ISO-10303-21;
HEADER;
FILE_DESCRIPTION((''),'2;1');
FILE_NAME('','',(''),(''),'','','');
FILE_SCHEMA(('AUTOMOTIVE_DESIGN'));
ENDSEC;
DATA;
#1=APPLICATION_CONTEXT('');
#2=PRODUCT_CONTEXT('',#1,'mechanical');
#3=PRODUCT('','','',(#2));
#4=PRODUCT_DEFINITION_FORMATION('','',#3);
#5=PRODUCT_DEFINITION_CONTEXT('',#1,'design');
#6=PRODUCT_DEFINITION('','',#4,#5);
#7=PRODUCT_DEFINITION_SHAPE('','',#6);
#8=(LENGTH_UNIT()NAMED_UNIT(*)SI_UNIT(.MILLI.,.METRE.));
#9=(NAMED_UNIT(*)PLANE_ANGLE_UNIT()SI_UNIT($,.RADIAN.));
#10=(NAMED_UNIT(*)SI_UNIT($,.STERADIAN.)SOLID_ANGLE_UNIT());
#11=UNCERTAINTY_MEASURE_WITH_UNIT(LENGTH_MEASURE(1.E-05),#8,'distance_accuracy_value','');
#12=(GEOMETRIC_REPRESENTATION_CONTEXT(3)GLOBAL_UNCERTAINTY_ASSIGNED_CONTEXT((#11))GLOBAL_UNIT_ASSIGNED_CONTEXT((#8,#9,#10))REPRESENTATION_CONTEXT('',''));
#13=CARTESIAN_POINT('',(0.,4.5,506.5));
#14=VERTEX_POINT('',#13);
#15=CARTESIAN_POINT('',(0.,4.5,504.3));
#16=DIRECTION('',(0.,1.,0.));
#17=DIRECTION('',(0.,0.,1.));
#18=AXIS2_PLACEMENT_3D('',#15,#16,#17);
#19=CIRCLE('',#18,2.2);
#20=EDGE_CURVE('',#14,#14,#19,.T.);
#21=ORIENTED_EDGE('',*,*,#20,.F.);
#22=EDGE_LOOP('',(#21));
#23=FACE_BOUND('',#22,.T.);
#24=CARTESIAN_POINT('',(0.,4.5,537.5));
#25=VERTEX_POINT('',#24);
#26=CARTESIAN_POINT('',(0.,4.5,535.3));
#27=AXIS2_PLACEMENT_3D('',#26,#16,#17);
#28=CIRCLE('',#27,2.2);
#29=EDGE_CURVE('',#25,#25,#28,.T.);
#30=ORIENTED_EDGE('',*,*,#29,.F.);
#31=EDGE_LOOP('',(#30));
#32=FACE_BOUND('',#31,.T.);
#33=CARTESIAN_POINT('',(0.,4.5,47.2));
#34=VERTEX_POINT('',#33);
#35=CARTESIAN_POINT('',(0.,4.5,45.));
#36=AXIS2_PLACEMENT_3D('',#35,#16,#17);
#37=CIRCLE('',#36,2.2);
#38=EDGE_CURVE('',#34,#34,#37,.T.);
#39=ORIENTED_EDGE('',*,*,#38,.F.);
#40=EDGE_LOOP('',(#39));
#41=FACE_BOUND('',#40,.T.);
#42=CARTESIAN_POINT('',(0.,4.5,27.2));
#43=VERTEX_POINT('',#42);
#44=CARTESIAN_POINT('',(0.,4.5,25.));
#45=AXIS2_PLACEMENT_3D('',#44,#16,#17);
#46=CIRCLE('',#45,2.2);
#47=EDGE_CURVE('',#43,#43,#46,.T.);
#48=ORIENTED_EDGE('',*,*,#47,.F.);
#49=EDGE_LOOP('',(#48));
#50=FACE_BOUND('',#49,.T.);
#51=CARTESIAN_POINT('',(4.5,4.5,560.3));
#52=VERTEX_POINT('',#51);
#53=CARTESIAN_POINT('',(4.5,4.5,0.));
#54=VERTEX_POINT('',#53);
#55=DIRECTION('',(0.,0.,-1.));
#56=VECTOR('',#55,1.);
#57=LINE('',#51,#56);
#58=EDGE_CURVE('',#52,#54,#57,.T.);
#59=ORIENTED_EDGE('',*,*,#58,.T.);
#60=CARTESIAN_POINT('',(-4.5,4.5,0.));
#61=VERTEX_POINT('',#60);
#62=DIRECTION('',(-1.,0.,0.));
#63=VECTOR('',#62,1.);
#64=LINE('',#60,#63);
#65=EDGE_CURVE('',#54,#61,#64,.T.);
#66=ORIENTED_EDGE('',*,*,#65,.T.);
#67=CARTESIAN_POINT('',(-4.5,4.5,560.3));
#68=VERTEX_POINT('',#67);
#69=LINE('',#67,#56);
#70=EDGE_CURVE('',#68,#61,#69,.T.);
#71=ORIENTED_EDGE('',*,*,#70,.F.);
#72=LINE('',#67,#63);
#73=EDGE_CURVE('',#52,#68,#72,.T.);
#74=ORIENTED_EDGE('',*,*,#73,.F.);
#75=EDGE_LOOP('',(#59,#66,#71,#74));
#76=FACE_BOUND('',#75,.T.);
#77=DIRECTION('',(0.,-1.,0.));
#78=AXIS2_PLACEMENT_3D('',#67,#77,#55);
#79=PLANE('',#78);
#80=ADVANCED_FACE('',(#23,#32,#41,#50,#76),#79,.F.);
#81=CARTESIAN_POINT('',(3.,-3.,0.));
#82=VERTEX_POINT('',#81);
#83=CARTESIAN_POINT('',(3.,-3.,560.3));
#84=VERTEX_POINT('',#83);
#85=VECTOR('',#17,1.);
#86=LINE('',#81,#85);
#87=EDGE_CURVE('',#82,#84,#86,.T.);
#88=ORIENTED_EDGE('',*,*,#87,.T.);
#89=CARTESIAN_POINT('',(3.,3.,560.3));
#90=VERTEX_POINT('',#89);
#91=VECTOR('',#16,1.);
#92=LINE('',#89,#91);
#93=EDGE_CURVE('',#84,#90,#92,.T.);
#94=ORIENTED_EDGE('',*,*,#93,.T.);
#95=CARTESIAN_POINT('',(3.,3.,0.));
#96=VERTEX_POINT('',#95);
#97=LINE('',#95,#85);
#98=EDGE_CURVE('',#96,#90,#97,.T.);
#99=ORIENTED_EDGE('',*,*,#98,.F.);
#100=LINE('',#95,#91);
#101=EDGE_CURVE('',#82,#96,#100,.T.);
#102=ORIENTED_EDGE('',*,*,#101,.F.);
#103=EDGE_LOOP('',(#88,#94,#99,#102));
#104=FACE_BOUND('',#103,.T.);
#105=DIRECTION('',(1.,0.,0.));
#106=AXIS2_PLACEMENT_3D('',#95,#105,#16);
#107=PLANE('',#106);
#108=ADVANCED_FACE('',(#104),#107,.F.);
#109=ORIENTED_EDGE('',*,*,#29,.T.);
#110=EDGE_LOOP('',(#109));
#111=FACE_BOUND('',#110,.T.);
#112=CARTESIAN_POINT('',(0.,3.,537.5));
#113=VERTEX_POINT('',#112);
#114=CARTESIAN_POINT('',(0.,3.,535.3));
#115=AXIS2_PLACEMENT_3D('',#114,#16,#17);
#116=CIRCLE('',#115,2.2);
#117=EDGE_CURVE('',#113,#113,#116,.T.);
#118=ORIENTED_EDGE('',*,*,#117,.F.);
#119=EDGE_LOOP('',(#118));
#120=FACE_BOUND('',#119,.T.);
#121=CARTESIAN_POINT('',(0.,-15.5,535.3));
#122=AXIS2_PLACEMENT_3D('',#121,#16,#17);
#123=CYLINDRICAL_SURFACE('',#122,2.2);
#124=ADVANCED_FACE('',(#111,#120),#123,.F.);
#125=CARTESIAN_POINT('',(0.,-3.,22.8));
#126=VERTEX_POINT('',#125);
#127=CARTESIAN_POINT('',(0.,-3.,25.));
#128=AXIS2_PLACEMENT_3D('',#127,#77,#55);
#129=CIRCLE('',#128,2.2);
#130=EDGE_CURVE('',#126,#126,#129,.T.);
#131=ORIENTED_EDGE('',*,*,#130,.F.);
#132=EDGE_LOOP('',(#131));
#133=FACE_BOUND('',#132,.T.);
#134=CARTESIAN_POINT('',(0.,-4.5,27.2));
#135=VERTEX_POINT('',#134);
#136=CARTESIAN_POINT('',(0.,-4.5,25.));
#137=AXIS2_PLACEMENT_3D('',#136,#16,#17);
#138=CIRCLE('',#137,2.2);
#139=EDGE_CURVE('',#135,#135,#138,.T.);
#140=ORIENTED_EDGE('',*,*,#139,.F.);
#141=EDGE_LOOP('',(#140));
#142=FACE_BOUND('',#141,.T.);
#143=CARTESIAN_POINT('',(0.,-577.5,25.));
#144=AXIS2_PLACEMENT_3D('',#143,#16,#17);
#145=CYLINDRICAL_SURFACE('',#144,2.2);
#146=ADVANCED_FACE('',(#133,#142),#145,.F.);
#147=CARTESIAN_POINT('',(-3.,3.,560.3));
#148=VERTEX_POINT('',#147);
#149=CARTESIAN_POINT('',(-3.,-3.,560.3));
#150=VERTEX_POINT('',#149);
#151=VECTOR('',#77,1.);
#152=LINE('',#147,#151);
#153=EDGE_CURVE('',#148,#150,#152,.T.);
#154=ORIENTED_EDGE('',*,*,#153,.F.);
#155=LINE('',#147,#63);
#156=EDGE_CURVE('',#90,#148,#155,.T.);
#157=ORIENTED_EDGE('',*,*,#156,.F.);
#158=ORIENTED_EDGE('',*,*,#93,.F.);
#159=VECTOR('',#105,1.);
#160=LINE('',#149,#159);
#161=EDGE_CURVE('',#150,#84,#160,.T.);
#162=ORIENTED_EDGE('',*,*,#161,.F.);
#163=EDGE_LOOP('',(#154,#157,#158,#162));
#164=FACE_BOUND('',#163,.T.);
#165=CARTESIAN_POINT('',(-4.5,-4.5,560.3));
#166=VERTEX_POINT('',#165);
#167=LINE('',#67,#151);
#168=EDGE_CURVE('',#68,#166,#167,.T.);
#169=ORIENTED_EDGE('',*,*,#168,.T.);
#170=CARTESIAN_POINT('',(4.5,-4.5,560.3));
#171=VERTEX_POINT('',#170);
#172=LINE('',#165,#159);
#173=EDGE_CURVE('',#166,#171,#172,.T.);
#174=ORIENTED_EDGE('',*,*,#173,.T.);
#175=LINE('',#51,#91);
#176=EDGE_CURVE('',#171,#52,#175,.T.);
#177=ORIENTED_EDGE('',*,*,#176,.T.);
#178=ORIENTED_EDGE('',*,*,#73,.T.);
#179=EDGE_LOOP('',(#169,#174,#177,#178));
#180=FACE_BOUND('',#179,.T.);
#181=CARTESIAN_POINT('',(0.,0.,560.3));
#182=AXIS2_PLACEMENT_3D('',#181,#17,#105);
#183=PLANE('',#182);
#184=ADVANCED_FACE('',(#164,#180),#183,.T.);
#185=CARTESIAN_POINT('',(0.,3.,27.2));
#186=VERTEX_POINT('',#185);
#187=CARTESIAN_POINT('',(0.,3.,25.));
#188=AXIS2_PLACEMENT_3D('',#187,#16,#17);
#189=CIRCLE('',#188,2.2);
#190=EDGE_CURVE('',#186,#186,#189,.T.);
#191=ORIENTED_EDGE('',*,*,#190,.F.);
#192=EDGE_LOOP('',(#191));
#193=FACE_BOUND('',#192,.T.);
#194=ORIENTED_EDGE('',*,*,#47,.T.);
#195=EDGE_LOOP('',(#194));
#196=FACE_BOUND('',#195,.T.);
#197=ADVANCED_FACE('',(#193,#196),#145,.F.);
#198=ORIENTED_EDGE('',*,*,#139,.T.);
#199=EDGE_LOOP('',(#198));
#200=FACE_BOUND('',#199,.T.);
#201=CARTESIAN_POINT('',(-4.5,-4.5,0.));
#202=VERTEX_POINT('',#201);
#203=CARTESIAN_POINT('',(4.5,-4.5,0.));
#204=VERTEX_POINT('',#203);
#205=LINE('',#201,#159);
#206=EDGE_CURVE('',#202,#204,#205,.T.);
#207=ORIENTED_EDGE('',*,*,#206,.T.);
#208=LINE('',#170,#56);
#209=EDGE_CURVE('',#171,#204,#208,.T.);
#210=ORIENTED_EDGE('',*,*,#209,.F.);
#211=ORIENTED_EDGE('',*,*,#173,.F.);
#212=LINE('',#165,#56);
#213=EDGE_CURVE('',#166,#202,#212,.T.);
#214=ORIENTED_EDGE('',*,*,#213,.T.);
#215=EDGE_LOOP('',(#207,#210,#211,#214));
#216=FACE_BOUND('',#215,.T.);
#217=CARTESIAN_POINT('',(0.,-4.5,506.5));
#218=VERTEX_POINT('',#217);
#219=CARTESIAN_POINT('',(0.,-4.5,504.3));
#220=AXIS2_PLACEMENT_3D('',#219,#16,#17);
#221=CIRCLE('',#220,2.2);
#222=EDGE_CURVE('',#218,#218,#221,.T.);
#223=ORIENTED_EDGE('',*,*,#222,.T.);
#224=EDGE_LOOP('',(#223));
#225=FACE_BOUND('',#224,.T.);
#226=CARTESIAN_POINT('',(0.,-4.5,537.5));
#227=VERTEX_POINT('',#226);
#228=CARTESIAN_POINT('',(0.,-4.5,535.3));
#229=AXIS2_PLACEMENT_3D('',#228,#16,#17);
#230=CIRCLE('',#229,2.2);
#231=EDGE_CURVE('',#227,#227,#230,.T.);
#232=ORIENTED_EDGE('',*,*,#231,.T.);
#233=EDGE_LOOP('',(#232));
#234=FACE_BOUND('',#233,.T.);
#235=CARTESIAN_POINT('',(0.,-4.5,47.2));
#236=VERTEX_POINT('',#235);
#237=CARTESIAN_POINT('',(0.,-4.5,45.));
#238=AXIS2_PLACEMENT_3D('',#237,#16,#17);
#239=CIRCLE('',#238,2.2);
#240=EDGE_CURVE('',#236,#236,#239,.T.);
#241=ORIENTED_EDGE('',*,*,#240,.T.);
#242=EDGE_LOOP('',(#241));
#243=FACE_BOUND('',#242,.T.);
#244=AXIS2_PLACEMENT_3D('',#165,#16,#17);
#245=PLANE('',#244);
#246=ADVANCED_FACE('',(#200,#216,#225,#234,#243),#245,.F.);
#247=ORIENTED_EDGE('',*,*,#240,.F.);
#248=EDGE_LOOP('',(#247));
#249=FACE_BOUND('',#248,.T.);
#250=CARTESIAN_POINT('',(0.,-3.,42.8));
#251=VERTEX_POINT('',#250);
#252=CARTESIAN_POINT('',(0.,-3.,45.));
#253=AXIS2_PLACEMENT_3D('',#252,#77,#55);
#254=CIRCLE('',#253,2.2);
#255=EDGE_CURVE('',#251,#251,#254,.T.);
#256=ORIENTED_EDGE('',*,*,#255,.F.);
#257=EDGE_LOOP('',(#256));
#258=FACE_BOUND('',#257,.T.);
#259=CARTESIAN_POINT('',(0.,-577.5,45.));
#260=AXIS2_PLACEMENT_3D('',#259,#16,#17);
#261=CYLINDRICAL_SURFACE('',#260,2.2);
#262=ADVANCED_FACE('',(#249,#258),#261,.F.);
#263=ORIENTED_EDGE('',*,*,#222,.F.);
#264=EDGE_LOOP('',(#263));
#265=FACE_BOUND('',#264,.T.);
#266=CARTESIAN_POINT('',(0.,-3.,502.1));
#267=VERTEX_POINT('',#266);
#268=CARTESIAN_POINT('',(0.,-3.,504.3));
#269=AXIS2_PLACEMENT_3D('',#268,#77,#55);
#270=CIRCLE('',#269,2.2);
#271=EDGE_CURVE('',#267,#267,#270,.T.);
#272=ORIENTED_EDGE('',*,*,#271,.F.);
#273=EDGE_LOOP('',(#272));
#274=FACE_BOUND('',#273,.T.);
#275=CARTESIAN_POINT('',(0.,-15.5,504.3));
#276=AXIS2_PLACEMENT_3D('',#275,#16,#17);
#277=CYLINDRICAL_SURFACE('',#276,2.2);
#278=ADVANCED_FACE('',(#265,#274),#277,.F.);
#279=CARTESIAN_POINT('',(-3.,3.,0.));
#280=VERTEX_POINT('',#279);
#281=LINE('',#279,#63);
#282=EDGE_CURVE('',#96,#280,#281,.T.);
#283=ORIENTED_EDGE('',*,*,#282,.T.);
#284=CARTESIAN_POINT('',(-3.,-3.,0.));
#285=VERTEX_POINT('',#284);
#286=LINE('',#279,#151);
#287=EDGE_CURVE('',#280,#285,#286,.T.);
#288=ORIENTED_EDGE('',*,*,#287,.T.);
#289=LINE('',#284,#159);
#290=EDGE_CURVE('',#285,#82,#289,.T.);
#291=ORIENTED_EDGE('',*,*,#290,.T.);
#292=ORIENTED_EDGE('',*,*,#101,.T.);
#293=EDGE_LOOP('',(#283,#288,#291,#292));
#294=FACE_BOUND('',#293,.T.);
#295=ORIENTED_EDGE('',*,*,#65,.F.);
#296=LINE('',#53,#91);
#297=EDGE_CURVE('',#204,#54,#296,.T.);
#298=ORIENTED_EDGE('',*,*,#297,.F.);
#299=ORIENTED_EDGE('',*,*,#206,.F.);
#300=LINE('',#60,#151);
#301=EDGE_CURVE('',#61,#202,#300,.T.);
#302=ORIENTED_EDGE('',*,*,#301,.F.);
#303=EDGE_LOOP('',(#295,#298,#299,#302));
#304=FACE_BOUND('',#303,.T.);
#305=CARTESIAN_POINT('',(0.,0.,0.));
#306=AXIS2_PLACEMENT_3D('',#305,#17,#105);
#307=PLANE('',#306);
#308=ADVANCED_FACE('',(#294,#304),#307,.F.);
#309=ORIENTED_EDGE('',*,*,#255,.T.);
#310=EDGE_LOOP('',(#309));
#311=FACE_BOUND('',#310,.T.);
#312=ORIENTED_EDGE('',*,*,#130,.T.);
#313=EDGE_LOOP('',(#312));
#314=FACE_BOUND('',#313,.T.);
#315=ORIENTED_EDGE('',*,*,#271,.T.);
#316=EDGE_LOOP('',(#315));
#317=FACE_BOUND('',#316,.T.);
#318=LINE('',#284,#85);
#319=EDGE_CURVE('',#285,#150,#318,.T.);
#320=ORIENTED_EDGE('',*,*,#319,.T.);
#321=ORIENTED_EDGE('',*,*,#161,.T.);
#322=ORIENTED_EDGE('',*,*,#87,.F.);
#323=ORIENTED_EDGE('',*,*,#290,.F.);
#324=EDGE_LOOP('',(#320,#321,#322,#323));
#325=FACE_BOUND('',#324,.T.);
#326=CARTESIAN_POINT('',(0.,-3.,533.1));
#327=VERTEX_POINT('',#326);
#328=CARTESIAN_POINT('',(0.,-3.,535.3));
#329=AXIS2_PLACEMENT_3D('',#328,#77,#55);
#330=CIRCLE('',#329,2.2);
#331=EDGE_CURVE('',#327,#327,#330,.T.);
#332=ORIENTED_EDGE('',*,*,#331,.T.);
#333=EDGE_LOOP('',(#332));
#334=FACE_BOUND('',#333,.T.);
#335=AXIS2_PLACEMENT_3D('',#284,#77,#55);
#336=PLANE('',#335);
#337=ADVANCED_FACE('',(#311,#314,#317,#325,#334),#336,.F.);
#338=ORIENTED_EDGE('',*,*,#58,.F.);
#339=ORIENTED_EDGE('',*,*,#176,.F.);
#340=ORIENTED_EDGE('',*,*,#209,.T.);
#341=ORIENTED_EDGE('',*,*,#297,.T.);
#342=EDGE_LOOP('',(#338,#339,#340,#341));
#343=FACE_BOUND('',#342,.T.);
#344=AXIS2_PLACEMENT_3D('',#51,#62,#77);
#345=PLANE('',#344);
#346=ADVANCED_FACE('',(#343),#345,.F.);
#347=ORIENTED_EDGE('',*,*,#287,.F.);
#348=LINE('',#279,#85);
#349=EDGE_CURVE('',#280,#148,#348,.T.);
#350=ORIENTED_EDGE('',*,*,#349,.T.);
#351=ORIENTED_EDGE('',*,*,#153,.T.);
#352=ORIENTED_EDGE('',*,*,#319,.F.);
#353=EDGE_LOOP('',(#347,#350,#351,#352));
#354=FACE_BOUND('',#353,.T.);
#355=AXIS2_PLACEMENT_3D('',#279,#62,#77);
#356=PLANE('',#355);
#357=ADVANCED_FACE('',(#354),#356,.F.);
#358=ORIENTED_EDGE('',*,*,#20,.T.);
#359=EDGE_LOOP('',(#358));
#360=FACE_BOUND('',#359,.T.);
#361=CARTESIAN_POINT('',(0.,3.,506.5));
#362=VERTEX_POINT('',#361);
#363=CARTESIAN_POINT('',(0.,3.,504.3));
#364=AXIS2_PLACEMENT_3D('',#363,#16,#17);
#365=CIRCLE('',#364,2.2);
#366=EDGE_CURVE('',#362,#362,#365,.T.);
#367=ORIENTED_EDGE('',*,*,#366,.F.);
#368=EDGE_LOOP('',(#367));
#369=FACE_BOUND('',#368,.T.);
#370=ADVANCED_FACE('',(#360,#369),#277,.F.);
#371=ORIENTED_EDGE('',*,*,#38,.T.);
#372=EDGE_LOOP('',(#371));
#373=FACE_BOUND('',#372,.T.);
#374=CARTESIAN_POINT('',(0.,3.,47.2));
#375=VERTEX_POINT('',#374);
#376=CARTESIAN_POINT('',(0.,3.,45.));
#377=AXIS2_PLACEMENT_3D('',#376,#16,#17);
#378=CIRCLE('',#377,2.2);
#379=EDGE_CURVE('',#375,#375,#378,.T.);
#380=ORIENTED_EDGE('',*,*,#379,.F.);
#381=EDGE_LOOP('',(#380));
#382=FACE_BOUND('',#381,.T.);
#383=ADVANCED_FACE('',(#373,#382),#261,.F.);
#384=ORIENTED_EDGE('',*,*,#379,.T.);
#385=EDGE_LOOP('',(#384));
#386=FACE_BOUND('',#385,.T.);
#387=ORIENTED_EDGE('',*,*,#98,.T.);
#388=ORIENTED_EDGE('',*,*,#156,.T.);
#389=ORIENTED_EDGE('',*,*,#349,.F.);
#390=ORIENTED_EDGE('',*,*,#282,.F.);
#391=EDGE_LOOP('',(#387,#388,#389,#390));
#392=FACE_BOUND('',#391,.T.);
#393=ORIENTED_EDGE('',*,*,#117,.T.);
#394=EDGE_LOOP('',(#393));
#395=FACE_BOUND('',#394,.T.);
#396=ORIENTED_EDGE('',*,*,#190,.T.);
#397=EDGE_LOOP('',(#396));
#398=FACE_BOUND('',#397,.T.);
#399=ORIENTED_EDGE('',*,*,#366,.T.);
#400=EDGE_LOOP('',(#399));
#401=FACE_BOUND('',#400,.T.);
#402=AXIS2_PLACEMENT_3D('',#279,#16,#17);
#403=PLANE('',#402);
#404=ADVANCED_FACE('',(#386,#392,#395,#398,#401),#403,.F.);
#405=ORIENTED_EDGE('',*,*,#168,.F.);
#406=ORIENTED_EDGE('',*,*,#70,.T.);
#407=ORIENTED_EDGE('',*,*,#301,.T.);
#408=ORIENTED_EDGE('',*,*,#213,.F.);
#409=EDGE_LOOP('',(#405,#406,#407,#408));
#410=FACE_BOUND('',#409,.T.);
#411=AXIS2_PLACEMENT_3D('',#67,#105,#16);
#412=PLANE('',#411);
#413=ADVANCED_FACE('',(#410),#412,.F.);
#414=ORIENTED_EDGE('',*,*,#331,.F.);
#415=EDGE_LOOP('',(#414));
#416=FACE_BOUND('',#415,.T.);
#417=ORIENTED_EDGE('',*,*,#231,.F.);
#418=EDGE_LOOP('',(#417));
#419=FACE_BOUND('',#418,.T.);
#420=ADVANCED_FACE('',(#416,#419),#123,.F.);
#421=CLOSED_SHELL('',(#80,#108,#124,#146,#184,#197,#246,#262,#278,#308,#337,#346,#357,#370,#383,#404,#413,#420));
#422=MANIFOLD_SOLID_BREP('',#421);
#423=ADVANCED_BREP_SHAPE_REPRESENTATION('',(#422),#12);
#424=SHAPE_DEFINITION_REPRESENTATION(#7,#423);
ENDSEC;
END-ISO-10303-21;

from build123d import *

# Parameters (mm, degrees)
SKETCH_1_W          = 9
SKETCH_1_H          = 9
EXTRUDE_1_DEPTH     = 560.3
SKETCH_2_W          = 6
SKETCH_2_H          = 6
CUT_EXTRUDE_1_DEPTH = 560.3
SKETCH_3_R          = 2.2
CUT_EXTRUDE_2_DEPTH = 582
SKETCH_4_R          = 2.2
CUT_EXTRUDE_3_DEPTH = 20


with BuildPart() as part:
    # ｽｹｯﾁ1 → ﾎﾞｽ - 押し出し1 (new body)
    with BuildSketch(Plane.XY):
        Rectangle(SKETCH_1_W, SKETCH_1_H)
    extrude(amount=EXTRUDE_1_DEPTH)

    # ｽｹｯﾁ2 → ｶｯﾄ - 押し出し1 (cut)
    with BuildSketch(Plane.XY.offset(560.3)):
        Rectangle(SKETCH_2_W, SKETCH_2_H)
    extrude(amount=-CUT_EXTRUDE_1_DEPTH, mode=Mode.SUBTRACT)

    # ｽｹｯﾁ3 → ｶｯﾄ - 押し出し2 (cut)
    with BuildSketch(Plane(origin=(0, 4.5, 0), x_dir=(1, 0, 0), z_dir=(0, 1, 0))):
        with Locations((0, -25)):
            Circle(SKETCH_3_R)
        with Locations((0, -45)):
            Circle(SKETCH_3_R)
    extrude(amount=-CUT_EXTRUDE_2_DEPTH, mode=Mode.SUBTRACT)

    # ｽｹｯﾁ4 → ｶｯﾄ - 押し出し3 (cut)
    with BuildSketch(Plane(origin=(0, 4.5, 0), x_dir=(1, 0, 0), z_dir=(0, 1, 0))):
        with Locations((0, -535.3)):
            Circle(SKETCH_4_R)
        with Locations((0, -504.3)):
            Circle(SKETCH_4_R)
    extrude(amount=-CUT_EXTRUDE_3_DEPTH, mode=Mode.SUBTRACT)


solid = part.part
